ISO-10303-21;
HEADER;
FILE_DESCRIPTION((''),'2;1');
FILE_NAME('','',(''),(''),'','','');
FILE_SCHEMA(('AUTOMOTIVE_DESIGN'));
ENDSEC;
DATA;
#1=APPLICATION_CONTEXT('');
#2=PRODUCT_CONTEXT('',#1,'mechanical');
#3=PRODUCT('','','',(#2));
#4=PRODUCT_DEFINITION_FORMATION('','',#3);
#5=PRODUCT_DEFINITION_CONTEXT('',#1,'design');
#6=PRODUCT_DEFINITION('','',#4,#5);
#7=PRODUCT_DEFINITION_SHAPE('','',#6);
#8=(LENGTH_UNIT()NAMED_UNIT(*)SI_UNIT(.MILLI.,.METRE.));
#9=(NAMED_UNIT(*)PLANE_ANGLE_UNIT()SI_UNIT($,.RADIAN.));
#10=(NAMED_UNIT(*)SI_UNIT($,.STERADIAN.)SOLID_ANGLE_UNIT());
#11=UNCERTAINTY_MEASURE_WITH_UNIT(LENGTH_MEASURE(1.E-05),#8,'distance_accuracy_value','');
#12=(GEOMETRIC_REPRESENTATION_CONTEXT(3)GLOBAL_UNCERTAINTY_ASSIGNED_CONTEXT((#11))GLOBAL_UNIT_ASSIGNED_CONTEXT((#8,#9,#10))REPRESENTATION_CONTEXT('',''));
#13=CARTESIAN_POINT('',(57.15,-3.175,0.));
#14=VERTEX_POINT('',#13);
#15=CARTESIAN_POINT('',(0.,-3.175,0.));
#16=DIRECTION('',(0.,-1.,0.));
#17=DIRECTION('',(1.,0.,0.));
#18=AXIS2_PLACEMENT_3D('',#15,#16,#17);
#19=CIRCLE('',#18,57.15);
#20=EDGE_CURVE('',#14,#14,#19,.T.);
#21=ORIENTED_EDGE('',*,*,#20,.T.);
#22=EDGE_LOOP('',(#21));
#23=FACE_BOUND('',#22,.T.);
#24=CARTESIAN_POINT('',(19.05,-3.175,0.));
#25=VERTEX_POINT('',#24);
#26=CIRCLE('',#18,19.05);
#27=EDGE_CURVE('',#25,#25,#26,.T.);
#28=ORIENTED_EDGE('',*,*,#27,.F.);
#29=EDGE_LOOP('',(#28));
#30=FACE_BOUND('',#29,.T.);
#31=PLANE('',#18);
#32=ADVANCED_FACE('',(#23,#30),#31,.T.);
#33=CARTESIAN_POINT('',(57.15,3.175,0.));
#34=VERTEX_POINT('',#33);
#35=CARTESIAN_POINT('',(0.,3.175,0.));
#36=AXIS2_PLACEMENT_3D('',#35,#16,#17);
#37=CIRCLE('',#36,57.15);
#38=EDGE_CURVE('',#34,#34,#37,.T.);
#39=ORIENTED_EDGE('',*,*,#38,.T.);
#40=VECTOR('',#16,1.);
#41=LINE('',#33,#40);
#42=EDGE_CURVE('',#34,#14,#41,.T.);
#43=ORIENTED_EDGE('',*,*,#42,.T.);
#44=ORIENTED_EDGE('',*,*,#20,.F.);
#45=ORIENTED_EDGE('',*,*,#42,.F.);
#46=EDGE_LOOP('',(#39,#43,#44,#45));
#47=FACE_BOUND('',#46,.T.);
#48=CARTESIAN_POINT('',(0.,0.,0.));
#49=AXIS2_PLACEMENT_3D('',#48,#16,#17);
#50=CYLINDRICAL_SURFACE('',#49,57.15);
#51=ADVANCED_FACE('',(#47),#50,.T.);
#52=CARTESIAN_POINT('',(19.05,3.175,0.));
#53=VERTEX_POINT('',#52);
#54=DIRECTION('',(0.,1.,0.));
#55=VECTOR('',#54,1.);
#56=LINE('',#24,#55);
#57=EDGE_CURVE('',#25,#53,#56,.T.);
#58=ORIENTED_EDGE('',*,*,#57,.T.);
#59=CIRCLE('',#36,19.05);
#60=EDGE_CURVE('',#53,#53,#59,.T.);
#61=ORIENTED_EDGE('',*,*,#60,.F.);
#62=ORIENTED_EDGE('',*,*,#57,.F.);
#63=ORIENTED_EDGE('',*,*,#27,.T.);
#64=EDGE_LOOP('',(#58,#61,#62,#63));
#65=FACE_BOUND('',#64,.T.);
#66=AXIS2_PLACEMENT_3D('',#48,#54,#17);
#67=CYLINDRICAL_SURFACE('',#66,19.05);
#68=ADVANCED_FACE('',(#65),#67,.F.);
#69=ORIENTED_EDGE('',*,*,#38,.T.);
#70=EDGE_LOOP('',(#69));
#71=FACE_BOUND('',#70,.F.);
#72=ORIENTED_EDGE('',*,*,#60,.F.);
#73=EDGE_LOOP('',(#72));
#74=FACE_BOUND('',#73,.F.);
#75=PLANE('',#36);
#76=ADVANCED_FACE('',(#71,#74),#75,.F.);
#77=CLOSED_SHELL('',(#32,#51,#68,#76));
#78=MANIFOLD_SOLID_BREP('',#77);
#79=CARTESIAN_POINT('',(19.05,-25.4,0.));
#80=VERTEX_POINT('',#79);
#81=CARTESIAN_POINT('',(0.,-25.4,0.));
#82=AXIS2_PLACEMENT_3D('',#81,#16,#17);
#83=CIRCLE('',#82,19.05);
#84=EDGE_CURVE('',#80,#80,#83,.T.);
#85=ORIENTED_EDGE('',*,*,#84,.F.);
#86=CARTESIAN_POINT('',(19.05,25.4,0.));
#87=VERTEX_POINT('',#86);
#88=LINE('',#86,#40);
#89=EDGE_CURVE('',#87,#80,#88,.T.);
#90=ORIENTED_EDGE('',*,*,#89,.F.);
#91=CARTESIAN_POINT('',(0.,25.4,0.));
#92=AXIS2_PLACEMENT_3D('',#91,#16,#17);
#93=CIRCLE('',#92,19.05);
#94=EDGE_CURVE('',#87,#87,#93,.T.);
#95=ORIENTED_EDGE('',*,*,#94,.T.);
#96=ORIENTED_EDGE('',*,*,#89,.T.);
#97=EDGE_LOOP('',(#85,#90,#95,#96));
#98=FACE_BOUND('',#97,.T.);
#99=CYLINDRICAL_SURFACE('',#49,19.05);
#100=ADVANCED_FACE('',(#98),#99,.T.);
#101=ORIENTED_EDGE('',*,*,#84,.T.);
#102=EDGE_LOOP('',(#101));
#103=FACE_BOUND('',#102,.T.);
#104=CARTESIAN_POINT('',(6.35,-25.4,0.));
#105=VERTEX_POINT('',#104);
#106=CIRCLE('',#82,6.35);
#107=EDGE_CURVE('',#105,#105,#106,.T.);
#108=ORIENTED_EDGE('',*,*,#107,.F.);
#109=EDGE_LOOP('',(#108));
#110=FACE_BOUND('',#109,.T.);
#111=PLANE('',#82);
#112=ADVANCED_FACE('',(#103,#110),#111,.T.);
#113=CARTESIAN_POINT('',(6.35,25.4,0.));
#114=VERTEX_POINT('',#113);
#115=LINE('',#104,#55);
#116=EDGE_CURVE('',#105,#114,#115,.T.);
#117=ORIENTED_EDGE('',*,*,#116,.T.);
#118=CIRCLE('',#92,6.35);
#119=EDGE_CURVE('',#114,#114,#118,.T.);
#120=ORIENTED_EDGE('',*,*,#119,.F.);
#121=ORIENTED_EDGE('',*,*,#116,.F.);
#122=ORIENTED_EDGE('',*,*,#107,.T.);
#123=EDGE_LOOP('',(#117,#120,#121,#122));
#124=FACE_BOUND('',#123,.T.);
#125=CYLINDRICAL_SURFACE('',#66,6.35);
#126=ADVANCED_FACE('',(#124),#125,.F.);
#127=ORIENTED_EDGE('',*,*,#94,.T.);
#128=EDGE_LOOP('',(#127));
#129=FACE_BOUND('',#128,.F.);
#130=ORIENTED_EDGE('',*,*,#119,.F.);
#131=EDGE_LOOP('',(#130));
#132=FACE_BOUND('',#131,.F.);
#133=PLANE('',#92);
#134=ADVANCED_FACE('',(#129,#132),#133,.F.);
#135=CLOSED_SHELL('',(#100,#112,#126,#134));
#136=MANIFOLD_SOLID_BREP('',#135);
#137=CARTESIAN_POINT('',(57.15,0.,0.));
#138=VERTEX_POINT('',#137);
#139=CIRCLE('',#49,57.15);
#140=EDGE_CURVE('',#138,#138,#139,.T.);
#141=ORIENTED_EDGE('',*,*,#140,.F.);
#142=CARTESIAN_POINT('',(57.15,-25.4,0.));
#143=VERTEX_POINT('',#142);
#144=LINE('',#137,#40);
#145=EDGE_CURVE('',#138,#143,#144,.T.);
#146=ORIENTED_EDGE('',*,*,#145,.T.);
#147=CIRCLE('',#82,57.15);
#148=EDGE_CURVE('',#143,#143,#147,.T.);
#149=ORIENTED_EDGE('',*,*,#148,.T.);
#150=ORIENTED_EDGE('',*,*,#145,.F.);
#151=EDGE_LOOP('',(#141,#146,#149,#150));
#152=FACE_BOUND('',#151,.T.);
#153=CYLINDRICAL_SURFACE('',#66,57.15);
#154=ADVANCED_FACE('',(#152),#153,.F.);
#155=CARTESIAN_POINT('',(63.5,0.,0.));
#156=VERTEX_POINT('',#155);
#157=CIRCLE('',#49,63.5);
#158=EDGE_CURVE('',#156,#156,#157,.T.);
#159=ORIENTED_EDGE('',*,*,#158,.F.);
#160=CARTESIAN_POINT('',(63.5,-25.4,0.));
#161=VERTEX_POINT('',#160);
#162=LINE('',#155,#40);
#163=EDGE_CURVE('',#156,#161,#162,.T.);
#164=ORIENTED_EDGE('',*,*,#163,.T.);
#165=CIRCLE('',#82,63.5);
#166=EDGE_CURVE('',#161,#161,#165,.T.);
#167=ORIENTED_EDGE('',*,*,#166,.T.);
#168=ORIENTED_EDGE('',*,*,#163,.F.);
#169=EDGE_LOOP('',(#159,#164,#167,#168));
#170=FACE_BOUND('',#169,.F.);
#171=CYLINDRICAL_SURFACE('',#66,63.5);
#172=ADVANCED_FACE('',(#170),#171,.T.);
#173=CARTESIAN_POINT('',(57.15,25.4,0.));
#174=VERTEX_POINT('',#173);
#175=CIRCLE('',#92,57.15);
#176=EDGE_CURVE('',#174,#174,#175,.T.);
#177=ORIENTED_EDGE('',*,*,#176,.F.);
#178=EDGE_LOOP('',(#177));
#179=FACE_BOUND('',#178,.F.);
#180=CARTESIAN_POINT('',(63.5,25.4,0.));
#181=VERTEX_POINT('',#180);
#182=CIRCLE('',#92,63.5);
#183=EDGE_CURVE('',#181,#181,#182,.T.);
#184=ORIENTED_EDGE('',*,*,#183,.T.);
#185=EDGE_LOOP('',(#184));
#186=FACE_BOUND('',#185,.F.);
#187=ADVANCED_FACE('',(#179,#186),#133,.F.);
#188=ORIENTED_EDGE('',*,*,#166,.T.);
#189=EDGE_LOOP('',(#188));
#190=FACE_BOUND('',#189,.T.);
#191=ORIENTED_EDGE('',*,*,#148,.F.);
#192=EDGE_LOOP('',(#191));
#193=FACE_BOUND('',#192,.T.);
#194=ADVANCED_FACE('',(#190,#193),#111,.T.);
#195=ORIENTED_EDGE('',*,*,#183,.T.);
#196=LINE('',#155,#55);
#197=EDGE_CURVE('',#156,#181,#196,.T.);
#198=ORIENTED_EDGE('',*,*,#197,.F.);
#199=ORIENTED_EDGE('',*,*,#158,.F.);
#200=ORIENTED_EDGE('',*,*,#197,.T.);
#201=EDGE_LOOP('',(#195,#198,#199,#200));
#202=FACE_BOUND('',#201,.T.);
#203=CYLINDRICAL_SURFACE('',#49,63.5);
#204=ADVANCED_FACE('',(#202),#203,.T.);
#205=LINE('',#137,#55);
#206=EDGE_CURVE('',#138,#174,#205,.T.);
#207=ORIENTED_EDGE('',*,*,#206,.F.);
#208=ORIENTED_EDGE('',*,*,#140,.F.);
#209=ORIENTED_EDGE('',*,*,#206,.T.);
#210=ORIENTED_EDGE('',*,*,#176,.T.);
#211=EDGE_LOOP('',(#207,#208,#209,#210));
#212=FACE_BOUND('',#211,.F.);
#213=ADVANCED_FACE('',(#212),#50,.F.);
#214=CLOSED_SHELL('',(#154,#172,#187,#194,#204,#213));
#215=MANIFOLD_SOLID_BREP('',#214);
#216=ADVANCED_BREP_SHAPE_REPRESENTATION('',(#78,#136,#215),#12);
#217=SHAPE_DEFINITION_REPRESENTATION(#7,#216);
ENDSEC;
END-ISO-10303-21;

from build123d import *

# Parameters (mm, degrees)
F0_R     = 63.5
F0_R_2   = 57.15
F0_R_3   = 19.05
F0_R_4   = 6.35
F1_DEPTH = 25.4
F2_R     = 57.15
F2_R_2   = 19.05
F3_DEPTH = 3.175


with BuildPart() as f1:
    # F0 (on Front) → F1 (new body, symmetric)
    with BuildSketch(Plane.XZ):
        Circle(F0_R)
        Circle(F0_R_2, mode=Mode.SUBTRACT)
        Circle(F0_R_3)
        Circle(F0_R_4, mode=Mode.SUBTRACT)
    extrude(amount=F1_DEPTH, both=True)


with BuildPart() as f3:
    # F2 (on Front) → F3 (new body, symmetric)
    with BuildSketch(Plane.XZ):
        Circle(F2_R)
        Circle(F2_R_2, mode=Mode.SUBTRACT)
    extrude(amount=F3_DEPTH, both=True)


solid = Compound([f1.part, f3.part])
